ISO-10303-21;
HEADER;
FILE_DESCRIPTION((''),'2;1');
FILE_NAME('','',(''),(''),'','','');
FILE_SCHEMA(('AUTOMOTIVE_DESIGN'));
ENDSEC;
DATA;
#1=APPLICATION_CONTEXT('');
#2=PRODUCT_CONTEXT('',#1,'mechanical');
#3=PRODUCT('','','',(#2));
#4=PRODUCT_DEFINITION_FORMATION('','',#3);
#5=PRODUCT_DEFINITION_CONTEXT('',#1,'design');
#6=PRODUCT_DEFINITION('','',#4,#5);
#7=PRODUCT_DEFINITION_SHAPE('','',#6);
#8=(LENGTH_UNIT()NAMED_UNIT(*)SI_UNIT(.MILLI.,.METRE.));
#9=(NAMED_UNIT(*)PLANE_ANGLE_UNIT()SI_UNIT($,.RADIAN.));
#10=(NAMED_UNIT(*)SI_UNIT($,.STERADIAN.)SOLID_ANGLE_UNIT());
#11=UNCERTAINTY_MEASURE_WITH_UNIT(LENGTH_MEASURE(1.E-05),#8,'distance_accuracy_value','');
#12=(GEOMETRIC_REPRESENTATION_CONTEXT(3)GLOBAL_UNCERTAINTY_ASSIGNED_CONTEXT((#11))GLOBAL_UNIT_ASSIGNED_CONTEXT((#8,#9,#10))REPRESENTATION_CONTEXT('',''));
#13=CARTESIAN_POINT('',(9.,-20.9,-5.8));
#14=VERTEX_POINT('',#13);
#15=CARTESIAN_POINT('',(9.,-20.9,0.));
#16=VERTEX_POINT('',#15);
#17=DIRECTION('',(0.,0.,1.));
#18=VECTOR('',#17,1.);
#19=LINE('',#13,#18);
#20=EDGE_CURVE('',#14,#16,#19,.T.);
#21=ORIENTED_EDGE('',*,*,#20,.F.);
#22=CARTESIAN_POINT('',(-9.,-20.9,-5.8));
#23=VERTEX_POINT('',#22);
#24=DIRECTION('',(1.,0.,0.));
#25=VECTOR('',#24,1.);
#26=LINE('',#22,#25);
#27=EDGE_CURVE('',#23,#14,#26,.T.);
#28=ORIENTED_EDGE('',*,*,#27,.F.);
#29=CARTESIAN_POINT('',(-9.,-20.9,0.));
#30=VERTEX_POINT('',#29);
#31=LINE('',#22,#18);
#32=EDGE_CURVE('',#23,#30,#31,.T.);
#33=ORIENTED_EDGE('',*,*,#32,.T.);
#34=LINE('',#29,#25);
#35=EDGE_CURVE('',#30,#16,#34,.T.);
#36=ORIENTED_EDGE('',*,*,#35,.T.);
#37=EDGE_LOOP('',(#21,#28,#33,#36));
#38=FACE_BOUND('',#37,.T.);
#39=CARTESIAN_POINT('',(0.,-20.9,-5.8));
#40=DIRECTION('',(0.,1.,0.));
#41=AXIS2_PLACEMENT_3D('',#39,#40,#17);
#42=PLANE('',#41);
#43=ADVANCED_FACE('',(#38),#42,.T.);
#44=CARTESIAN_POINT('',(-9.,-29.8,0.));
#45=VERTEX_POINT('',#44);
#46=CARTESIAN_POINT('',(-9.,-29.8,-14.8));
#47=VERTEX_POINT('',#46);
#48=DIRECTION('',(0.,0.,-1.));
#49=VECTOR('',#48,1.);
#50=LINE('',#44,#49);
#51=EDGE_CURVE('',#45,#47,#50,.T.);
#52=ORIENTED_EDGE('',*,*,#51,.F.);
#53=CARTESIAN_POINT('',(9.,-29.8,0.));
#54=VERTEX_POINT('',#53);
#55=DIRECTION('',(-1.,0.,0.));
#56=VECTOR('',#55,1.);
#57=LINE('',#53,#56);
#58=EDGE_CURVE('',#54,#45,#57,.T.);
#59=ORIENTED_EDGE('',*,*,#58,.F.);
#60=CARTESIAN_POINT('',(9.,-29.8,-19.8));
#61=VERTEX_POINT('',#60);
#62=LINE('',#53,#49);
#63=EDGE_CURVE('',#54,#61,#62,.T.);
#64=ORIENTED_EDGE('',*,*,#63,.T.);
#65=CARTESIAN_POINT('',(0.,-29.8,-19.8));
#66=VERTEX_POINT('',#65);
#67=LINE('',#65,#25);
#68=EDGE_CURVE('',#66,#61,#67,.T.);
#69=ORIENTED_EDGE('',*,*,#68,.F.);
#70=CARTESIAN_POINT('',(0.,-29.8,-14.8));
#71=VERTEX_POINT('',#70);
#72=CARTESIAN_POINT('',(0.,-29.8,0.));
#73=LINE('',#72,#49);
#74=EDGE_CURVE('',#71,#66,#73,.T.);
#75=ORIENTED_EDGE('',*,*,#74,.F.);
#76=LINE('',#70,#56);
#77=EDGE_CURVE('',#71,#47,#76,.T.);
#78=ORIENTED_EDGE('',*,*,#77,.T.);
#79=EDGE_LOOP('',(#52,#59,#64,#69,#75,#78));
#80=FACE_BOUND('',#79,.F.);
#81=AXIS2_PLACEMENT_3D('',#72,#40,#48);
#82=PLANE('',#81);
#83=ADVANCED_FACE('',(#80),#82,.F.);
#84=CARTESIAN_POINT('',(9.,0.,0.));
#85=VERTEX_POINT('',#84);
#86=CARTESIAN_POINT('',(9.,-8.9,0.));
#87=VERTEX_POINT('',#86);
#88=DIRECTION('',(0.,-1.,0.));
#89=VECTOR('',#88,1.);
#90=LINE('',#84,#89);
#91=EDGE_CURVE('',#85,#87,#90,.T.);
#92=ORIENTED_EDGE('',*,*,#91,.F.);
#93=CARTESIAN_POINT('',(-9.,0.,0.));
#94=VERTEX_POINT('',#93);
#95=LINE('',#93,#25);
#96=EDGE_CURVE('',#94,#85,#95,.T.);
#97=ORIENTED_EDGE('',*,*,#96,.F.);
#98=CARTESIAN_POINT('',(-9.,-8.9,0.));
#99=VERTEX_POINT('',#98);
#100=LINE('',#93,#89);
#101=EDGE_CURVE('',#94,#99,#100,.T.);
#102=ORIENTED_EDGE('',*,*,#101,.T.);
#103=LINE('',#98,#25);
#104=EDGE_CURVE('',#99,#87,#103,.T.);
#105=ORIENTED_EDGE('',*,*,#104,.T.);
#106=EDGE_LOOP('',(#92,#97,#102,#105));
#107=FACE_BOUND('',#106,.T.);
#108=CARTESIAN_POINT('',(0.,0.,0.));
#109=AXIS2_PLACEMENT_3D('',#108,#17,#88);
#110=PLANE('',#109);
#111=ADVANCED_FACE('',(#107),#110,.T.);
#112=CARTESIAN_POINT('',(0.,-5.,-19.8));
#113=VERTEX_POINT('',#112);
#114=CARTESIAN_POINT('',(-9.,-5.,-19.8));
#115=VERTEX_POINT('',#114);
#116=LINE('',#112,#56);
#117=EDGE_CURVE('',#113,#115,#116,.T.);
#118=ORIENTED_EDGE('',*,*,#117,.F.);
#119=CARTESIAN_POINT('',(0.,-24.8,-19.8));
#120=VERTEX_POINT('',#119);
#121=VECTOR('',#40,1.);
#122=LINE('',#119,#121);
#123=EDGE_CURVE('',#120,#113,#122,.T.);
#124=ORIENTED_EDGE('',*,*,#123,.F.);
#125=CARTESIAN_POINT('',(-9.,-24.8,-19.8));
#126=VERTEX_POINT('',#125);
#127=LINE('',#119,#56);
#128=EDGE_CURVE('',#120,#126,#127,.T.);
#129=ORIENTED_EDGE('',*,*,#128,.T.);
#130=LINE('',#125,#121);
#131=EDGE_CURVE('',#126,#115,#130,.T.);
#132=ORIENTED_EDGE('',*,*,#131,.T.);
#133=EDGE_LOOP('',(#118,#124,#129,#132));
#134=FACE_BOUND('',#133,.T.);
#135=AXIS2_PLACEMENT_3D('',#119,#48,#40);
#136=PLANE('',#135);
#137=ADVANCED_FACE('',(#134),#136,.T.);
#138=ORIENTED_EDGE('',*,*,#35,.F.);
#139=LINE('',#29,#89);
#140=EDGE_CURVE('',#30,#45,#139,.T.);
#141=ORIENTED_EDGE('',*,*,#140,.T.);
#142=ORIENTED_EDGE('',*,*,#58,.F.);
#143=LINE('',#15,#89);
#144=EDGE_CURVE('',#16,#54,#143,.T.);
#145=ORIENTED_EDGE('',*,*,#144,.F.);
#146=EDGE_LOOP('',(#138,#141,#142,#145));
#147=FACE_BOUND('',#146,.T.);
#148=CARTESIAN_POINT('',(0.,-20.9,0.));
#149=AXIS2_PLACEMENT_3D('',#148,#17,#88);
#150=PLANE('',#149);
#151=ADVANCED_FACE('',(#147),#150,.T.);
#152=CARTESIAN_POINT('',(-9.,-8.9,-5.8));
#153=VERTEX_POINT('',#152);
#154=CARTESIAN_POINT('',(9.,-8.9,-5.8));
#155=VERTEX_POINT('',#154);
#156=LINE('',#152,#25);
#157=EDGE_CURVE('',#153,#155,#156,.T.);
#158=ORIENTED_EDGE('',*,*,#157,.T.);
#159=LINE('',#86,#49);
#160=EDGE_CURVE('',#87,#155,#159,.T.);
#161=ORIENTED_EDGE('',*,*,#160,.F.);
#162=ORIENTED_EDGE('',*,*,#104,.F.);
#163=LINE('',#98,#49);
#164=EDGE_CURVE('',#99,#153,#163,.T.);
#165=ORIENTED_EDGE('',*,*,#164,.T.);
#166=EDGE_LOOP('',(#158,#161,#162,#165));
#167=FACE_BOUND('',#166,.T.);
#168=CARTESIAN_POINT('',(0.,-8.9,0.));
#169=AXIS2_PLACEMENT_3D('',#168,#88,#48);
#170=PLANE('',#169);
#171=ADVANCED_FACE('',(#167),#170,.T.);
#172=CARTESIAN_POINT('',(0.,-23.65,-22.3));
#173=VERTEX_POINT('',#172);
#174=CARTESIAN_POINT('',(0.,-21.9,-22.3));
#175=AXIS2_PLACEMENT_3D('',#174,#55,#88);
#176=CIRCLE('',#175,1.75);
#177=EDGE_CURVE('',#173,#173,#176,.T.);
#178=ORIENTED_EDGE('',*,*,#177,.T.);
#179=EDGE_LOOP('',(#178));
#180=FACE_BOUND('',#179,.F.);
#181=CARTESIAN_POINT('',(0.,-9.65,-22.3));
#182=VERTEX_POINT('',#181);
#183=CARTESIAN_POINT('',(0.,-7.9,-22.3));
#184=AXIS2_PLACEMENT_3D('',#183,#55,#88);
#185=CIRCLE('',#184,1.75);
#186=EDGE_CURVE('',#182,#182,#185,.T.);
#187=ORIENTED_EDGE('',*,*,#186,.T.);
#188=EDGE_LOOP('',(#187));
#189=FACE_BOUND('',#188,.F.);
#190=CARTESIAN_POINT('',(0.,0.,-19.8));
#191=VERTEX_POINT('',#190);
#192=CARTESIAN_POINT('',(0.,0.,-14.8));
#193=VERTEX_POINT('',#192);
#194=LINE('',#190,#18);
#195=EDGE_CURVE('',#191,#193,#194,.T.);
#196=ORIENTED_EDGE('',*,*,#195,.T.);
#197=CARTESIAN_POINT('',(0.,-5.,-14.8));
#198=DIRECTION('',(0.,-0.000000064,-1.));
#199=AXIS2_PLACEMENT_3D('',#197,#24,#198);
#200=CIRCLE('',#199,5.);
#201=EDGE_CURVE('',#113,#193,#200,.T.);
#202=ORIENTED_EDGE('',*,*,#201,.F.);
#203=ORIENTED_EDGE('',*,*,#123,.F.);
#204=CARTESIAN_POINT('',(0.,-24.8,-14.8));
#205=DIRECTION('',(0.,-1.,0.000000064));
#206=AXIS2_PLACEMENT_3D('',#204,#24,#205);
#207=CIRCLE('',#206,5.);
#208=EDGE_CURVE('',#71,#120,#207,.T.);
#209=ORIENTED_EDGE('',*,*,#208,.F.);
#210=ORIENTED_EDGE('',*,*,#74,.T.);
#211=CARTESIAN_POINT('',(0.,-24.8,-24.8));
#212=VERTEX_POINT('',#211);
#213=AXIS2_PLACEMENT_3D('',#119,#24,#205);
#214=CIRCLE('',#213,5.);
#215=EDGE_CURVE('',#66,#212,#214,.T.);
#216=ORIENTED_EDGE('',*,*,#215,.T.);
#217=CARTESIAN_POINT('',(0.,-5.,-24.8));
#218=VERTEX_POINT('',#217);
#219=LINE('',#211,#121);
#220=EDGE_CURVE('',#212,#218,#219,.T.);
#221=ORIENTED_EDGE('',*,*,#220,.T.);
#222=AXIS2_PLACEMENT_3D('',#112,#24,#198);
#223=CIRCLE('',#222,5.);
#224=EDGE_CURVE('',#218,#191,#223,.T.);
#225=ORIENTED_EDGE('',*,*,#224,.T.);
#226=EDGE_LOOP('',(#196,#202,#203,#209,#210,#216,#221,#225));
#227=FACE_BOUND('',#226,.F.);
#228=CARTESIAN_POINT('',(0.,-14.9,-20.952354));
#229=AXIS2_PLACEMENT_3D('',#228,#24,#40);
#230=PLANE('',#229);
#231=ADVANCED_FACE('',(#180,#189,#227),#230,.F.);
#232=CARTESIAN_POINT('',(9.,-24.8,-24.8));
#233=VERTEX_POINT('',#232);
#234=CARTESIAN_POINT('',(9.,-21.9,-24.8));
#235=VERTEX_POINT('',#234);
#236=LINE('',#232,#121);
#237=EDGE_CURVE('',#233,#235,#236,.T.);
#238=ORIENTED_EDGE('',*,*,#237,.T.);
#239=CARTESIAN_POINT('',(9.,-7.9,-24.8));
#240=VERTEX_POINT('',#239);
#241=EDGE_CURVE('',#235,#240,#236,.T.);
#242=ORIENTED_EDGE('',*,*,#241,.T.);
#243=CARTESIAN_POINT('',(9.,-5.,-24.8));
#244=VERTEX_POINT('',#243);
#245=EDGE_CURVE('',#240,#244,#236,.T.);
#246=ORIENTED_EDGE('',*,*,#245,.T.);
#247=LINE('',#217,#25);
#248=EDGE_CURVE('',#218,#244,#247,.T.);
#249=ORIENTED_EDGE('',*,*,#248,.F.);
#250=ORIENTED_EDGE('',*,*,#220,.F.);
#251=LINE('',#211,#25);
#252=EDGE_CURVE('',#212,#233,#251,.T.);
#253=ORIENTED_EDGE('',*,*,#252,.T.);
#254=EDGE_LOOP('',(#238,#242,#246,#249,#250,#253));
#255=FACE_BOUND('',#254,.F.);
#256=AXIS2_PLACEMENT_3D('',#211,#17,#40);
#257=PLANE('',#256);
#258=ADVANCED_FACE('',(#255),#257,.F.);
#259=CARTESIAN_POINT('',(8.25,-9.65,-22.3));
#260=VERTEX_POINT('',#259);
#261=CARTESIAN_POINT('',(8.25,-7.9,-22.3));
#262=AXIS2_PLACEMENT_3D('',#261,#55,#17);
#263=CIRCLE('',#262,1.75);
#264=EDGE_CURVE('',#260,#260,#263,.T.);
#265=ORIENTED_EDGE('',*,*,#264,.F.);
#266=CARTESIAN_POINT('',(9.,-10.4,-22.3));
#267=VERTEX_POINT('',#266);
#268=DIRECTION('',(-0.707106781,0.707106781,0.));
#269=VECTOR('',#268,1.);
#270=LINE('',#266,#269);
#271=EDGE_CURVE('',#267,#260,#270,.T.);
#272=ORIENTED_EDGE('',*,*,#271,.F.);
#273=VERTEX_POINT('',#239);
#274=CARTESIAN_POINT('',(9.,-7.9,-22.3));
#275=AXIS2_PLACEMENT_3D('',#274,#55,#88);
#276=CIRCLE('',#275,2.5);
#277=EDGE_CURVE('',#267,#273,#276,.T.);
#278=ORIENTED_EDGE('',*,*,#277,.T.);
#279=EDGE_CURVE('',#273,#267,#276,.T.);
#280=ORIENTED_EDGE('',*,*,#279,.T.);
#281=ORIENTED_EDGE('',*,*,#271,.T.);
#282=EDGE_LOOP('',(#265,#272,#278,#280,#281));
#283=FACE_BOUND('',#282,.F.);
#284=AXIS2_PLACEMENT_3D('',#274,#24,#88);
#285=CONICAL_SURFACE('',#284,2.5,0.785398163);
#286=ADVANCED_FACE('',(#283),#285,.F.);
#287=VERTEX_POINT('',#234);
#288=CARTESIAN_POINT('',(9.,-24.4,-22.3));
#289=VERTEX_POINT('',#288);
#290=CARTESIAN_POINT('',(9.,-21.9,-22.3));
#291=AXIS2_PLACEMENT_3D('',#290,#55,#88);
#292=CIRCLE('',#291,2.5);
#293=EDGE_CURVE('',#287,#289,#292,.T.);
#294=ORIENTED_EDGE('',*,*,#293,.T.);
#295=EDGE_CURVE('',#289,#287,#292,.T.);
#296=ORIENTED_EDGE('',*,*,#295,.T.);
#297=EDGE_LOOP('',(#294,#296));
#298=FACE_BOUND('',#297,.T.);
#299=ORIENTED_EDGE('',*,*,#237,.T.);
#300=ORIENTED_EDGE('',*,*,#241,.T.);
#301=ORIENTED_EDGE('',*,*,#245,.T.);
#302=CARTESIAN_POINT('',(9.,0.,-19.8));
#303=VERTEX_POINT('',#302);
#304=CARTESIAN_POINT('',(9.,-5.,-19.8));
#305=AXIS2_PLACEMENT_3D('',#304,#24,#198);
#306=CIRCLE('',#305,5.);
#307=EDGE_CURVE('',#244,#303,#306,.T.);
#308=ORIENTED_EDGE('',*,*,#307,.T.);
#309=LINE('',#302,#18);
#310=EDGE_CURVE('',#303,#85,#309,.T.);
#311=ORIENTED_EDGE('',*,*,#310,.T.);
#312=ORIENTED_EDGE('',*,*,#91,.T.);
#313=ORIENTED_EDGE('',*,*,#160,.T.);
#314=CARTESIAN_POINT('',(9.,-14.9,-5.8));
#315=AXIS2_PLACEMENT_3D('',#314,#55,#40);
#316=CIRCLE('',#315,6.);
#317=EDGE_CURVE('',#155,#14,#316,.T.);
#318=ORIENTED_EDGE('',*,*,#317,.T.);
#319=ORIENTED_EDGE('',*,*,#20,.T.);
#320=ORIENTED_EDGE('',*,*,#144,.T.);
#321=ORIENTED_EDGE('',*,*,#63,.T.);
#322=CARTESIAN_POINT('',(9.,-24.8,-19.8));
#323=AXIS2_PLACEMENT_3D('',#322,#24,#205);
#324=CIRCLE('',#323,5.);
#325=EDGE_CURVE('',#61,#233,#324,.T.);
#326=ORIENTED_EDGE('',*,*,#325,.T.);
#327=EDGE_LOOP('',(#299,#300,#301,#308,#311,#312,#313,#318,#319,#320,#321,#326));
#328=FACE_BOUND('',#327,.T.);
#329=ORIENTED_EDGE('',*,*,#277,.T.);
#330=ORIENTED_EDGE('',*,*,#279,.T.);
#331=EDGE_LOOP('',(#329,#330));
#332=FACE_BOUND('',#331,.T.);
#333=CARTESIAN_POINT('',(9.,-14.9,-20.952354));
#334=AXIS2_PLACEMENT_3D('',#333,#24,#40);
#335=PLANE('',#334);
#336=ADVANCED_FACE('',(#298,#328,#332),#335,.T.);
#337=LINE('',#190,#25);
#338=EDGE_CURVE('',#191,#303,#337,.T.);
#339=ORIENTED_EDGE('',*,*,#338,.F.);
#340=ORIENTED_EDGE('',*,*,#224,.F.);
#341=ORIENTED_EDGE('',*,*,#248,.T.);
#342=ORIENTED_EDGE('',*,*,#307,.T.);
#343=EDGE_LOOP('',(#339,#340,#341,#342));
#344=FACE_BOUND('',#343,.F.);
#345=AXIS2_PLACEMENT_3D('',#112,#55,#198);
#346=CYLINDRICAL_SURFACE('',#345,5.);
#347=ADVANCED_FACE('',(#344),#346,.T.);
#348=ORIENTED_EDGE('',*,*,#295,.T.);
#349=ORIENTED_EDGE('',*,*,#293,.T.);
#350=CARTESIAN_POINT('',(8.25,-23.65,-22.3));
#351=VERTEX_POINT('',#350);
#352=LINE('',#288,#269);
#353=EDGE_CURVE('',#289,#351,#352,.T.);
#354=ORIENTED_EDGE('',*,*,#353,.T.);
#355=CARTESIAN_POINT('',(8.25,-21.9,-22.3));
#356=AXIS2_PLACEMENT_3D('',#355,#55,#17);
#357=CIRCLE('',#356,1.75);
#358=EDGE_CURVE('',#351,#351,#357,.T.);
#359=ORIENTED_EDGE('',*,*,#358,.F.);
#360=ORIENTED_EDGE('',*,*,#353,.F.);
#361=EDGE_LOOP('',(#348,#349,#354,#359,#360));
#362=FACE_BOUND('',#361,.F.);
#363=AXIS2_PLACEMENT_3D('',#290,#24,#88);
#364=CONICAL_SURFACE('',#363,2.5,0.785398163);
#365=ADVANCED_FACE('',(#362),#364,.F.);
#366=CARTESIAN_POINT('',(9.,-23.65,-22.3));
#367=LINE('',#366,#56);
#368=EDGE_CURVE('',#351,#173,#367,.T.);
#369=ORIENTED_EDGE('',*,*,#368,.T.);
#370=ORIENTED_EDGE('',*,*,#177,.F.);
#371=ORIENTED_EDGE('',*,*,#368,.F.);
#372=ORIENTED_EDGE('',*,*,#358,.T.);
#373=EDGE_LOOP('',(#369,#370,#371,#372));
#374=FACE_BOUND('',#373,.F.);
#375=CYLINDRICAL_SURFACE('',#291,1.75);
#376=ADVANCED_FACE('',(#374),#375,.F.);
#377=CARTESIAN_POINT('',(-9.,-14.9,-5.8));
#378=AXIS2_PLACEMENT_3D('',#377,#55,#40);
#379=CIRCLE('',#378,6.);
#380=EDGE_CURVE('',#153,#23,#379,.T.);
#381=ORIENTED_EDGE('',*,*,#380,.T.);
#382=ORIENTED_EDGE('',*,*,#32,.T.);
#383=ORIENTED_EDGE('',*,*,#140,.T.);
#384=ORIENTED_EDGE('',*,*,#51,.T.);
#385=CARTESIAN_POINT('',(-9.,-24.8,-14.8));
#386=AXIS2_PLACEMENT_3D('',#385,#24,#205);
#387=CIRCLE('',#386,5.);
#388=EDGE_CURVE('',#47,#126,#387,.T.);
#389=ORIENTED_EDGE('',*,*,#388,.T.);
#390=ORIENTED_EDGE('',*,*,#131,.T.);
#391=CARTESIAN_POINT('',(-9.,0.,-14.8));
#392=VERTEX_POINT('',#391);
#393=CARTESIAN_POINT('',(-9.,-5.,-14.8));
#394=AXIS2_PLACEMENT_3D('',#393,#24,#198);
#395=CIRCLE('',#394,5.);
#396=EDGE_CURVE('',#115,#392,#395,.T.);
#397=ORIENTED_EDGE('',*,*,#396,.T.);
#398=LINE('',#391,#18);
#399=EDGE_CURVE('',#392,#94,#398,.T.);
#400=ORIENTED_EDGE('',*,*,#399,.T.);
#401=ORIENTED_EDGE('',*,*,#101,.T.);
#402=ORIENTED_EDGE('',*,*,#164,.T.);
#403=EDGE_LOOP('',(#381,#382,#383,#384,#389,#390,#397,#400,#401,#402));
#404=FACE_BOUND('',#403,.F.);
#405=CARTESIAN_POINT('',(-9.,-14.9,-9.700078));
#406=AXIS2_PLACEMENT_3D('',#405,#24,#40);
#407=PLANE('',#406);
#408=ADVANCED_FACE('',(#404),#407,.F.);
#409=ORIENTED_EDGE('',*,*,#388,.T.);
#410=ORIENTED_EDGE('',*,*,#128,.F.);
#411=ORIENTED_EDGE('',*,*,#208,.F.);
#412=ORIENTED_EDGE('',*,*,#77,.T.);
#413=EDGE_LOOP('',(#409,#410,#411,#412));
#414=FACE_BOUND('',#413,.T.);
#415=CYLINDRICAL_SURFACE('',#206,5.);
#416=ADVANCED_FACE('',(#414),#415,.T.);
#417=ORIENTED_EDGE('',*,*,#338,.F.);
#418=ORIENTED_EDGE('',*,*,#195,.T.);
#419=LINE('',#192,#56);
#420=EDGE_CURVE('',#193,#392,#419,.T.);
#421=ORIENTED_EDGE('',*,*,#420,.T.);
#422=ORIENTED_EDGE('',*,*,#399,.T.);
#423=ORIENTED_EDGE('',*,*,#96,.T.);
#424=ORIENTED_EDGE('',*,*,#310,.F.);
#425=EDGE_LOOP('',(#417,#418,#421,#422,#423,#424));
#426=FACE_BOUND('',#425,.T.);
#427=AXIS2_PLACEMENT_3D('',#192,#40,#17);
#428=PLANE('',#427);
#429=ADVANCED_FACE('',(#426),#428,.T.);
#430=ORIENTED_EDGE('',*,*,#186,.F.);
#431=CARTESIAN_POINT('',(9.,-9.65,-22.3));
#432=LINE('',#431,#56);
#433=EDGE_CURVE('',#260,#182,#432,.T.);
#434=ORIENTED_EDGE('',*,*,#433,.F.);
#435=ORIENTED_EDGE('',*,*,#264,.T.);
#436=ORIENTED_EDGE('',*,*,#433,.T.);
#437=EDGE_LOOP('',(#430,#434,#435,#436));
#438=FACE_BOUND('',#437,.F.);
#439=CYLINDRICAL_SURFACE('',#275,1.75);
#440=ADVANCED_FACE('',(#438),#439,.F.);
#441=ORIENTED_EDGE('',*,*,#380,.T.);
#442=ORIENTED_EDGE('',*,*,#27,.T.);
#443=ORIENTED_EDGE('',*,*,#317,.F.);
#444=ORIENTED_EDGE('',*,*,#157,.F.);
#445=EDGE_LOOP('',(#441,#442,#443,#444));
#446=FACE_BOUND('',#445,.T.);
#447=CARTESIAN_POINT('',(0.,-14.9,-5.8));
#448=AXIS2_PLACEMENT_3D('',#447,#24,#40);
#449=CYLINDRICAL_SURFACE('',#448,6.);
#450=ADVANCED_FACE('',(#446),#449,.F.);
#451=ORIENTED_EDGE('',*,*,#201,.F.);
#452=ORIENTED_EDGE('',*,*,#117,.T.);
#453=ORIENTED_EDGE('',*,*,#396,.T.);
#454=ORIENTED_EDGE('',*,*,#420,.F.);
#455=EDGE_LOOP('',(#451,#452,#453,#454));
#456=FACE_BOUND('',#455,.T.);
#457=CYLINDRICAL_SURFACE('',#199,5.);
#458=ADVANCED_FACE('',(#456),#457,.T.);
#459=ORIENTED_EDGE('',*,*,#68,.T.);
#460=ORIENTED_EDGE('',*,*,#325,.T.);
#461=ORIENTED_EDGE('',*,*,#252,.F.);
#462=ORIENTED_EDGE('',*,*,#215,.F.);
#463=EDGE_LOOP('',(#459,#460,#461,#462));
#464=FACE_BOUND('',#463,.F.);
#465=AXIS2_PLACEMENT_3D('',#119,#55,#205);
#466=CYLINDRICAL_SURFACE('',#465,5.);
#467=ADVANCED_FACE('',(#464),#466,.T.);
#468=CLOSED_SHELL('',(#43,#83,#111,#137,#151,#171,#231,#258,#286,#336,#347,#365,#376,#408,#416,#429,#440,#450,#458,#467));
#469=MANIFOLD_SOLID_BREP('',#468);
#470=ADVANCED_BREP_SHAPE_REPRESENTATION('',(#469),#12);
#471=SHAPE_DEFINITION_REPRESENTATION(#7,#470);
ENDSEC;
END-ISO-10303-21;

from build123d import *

# Parameters (mm, degrees)
F1_DEPTH       = 9
F2_DEPTH       = 9
F4_D           = 3.5
F4_CSINK_D     = 5
F4_CSINK_ANGLE = 90


with BuildPart() as f1:
    # F0 (on Right) → F1 (new body)
    with BuildSketch(Plane.YZ):
        with BuildLine():
            ThreePointArc((-5, -24.8), (-1.464466, -23.335534), (0, -19.8))
            Line((0, -19.8), (0, -14.8))
            ThreePointArc((0, -14.8), (-1.464466, -18.335534), (-5, -19.8))
            Line((-5, -19.8), (-24.8, -19.8))
            ThreePointArc((-24.8, -19.8), (-28.335534, -18.335534), (-29.8, -14.8))
            Line((-29.8, -14.8), (-29.8, -19.8))
            ThreePointArc((-29.8, -19.8), (-28.335534, -23.335534), (-24.8, -24.8))
            Line((-24.8, -24.8), (-5, -24.8))
        make_face()
        with BuildLine():
            ThreePointArc((-5, -19.8), (-1.464466, -18.335534), (0, -14.8))
            Line((0, -14.8), (0, 0))
            Line((0, 0), (-8.9, 0))
            Line((-8.9, 0), (-8.9, -5.8))
            ThreePointArc((-8.9, -5.8), (-14.9, -11.8), (-20.9, -5.8))
            Line((-20.9, -5.8), (-20.9, 0))
            Line((-20.9, 0), (-29.8, 0))
            Line((-29.8, 0), (-29.8, -14.8))
            ThreePointArc((-29.8, -14.8), (-28.335534, -18.335534), (-24.8, -19.8))
            Line((-24.8, -19.8), (-5, -19.8))
        make_face()
    extrude(amount=F1_DEPTH)

    # F0 (on Right) → F2 (join)
    with BuildSketch(Plane.YZ):
        with BuildLine():
            ThreePointArc((-5, -19.8), (-1.464466, -18.335534), (0, -14.8))
            Line((0, -14.8), (0, 0))
            Line((0, 0), (-8.9, 0))
            Line((-8.9, 0), (-8.9, -5.8))
            ThreePointArc((-8.9, -5.8), (-14.9, -11.8), (-20.9, -5.8))
            Line((-20.9, -5.8), (-20.9, 0))
            Line((-20.9, 0), (-29.8, 0))
            Line((-29.8, 0), (-29.8, -14.8))
            ThreePointArc((-29.8, -14.8), (-28.335534, -18.335534), (-24.8, -19.8))
            Line((-24.8, -19.8), (-5, -19.8))
        make_face()
    extrude(amount=-F2_DEPTH)

    # F4 (through all)
    with Locations(Plane.YZ.offset(9)):
        with Locations((-21.9, -22.3), (-7.9, -22.3)):
            CounterSinkHole(F4_D / 2, F4_CSINK_D / 2, counter_sink_angle=F4_CSINK_ANGLE)


solid = f1.part
